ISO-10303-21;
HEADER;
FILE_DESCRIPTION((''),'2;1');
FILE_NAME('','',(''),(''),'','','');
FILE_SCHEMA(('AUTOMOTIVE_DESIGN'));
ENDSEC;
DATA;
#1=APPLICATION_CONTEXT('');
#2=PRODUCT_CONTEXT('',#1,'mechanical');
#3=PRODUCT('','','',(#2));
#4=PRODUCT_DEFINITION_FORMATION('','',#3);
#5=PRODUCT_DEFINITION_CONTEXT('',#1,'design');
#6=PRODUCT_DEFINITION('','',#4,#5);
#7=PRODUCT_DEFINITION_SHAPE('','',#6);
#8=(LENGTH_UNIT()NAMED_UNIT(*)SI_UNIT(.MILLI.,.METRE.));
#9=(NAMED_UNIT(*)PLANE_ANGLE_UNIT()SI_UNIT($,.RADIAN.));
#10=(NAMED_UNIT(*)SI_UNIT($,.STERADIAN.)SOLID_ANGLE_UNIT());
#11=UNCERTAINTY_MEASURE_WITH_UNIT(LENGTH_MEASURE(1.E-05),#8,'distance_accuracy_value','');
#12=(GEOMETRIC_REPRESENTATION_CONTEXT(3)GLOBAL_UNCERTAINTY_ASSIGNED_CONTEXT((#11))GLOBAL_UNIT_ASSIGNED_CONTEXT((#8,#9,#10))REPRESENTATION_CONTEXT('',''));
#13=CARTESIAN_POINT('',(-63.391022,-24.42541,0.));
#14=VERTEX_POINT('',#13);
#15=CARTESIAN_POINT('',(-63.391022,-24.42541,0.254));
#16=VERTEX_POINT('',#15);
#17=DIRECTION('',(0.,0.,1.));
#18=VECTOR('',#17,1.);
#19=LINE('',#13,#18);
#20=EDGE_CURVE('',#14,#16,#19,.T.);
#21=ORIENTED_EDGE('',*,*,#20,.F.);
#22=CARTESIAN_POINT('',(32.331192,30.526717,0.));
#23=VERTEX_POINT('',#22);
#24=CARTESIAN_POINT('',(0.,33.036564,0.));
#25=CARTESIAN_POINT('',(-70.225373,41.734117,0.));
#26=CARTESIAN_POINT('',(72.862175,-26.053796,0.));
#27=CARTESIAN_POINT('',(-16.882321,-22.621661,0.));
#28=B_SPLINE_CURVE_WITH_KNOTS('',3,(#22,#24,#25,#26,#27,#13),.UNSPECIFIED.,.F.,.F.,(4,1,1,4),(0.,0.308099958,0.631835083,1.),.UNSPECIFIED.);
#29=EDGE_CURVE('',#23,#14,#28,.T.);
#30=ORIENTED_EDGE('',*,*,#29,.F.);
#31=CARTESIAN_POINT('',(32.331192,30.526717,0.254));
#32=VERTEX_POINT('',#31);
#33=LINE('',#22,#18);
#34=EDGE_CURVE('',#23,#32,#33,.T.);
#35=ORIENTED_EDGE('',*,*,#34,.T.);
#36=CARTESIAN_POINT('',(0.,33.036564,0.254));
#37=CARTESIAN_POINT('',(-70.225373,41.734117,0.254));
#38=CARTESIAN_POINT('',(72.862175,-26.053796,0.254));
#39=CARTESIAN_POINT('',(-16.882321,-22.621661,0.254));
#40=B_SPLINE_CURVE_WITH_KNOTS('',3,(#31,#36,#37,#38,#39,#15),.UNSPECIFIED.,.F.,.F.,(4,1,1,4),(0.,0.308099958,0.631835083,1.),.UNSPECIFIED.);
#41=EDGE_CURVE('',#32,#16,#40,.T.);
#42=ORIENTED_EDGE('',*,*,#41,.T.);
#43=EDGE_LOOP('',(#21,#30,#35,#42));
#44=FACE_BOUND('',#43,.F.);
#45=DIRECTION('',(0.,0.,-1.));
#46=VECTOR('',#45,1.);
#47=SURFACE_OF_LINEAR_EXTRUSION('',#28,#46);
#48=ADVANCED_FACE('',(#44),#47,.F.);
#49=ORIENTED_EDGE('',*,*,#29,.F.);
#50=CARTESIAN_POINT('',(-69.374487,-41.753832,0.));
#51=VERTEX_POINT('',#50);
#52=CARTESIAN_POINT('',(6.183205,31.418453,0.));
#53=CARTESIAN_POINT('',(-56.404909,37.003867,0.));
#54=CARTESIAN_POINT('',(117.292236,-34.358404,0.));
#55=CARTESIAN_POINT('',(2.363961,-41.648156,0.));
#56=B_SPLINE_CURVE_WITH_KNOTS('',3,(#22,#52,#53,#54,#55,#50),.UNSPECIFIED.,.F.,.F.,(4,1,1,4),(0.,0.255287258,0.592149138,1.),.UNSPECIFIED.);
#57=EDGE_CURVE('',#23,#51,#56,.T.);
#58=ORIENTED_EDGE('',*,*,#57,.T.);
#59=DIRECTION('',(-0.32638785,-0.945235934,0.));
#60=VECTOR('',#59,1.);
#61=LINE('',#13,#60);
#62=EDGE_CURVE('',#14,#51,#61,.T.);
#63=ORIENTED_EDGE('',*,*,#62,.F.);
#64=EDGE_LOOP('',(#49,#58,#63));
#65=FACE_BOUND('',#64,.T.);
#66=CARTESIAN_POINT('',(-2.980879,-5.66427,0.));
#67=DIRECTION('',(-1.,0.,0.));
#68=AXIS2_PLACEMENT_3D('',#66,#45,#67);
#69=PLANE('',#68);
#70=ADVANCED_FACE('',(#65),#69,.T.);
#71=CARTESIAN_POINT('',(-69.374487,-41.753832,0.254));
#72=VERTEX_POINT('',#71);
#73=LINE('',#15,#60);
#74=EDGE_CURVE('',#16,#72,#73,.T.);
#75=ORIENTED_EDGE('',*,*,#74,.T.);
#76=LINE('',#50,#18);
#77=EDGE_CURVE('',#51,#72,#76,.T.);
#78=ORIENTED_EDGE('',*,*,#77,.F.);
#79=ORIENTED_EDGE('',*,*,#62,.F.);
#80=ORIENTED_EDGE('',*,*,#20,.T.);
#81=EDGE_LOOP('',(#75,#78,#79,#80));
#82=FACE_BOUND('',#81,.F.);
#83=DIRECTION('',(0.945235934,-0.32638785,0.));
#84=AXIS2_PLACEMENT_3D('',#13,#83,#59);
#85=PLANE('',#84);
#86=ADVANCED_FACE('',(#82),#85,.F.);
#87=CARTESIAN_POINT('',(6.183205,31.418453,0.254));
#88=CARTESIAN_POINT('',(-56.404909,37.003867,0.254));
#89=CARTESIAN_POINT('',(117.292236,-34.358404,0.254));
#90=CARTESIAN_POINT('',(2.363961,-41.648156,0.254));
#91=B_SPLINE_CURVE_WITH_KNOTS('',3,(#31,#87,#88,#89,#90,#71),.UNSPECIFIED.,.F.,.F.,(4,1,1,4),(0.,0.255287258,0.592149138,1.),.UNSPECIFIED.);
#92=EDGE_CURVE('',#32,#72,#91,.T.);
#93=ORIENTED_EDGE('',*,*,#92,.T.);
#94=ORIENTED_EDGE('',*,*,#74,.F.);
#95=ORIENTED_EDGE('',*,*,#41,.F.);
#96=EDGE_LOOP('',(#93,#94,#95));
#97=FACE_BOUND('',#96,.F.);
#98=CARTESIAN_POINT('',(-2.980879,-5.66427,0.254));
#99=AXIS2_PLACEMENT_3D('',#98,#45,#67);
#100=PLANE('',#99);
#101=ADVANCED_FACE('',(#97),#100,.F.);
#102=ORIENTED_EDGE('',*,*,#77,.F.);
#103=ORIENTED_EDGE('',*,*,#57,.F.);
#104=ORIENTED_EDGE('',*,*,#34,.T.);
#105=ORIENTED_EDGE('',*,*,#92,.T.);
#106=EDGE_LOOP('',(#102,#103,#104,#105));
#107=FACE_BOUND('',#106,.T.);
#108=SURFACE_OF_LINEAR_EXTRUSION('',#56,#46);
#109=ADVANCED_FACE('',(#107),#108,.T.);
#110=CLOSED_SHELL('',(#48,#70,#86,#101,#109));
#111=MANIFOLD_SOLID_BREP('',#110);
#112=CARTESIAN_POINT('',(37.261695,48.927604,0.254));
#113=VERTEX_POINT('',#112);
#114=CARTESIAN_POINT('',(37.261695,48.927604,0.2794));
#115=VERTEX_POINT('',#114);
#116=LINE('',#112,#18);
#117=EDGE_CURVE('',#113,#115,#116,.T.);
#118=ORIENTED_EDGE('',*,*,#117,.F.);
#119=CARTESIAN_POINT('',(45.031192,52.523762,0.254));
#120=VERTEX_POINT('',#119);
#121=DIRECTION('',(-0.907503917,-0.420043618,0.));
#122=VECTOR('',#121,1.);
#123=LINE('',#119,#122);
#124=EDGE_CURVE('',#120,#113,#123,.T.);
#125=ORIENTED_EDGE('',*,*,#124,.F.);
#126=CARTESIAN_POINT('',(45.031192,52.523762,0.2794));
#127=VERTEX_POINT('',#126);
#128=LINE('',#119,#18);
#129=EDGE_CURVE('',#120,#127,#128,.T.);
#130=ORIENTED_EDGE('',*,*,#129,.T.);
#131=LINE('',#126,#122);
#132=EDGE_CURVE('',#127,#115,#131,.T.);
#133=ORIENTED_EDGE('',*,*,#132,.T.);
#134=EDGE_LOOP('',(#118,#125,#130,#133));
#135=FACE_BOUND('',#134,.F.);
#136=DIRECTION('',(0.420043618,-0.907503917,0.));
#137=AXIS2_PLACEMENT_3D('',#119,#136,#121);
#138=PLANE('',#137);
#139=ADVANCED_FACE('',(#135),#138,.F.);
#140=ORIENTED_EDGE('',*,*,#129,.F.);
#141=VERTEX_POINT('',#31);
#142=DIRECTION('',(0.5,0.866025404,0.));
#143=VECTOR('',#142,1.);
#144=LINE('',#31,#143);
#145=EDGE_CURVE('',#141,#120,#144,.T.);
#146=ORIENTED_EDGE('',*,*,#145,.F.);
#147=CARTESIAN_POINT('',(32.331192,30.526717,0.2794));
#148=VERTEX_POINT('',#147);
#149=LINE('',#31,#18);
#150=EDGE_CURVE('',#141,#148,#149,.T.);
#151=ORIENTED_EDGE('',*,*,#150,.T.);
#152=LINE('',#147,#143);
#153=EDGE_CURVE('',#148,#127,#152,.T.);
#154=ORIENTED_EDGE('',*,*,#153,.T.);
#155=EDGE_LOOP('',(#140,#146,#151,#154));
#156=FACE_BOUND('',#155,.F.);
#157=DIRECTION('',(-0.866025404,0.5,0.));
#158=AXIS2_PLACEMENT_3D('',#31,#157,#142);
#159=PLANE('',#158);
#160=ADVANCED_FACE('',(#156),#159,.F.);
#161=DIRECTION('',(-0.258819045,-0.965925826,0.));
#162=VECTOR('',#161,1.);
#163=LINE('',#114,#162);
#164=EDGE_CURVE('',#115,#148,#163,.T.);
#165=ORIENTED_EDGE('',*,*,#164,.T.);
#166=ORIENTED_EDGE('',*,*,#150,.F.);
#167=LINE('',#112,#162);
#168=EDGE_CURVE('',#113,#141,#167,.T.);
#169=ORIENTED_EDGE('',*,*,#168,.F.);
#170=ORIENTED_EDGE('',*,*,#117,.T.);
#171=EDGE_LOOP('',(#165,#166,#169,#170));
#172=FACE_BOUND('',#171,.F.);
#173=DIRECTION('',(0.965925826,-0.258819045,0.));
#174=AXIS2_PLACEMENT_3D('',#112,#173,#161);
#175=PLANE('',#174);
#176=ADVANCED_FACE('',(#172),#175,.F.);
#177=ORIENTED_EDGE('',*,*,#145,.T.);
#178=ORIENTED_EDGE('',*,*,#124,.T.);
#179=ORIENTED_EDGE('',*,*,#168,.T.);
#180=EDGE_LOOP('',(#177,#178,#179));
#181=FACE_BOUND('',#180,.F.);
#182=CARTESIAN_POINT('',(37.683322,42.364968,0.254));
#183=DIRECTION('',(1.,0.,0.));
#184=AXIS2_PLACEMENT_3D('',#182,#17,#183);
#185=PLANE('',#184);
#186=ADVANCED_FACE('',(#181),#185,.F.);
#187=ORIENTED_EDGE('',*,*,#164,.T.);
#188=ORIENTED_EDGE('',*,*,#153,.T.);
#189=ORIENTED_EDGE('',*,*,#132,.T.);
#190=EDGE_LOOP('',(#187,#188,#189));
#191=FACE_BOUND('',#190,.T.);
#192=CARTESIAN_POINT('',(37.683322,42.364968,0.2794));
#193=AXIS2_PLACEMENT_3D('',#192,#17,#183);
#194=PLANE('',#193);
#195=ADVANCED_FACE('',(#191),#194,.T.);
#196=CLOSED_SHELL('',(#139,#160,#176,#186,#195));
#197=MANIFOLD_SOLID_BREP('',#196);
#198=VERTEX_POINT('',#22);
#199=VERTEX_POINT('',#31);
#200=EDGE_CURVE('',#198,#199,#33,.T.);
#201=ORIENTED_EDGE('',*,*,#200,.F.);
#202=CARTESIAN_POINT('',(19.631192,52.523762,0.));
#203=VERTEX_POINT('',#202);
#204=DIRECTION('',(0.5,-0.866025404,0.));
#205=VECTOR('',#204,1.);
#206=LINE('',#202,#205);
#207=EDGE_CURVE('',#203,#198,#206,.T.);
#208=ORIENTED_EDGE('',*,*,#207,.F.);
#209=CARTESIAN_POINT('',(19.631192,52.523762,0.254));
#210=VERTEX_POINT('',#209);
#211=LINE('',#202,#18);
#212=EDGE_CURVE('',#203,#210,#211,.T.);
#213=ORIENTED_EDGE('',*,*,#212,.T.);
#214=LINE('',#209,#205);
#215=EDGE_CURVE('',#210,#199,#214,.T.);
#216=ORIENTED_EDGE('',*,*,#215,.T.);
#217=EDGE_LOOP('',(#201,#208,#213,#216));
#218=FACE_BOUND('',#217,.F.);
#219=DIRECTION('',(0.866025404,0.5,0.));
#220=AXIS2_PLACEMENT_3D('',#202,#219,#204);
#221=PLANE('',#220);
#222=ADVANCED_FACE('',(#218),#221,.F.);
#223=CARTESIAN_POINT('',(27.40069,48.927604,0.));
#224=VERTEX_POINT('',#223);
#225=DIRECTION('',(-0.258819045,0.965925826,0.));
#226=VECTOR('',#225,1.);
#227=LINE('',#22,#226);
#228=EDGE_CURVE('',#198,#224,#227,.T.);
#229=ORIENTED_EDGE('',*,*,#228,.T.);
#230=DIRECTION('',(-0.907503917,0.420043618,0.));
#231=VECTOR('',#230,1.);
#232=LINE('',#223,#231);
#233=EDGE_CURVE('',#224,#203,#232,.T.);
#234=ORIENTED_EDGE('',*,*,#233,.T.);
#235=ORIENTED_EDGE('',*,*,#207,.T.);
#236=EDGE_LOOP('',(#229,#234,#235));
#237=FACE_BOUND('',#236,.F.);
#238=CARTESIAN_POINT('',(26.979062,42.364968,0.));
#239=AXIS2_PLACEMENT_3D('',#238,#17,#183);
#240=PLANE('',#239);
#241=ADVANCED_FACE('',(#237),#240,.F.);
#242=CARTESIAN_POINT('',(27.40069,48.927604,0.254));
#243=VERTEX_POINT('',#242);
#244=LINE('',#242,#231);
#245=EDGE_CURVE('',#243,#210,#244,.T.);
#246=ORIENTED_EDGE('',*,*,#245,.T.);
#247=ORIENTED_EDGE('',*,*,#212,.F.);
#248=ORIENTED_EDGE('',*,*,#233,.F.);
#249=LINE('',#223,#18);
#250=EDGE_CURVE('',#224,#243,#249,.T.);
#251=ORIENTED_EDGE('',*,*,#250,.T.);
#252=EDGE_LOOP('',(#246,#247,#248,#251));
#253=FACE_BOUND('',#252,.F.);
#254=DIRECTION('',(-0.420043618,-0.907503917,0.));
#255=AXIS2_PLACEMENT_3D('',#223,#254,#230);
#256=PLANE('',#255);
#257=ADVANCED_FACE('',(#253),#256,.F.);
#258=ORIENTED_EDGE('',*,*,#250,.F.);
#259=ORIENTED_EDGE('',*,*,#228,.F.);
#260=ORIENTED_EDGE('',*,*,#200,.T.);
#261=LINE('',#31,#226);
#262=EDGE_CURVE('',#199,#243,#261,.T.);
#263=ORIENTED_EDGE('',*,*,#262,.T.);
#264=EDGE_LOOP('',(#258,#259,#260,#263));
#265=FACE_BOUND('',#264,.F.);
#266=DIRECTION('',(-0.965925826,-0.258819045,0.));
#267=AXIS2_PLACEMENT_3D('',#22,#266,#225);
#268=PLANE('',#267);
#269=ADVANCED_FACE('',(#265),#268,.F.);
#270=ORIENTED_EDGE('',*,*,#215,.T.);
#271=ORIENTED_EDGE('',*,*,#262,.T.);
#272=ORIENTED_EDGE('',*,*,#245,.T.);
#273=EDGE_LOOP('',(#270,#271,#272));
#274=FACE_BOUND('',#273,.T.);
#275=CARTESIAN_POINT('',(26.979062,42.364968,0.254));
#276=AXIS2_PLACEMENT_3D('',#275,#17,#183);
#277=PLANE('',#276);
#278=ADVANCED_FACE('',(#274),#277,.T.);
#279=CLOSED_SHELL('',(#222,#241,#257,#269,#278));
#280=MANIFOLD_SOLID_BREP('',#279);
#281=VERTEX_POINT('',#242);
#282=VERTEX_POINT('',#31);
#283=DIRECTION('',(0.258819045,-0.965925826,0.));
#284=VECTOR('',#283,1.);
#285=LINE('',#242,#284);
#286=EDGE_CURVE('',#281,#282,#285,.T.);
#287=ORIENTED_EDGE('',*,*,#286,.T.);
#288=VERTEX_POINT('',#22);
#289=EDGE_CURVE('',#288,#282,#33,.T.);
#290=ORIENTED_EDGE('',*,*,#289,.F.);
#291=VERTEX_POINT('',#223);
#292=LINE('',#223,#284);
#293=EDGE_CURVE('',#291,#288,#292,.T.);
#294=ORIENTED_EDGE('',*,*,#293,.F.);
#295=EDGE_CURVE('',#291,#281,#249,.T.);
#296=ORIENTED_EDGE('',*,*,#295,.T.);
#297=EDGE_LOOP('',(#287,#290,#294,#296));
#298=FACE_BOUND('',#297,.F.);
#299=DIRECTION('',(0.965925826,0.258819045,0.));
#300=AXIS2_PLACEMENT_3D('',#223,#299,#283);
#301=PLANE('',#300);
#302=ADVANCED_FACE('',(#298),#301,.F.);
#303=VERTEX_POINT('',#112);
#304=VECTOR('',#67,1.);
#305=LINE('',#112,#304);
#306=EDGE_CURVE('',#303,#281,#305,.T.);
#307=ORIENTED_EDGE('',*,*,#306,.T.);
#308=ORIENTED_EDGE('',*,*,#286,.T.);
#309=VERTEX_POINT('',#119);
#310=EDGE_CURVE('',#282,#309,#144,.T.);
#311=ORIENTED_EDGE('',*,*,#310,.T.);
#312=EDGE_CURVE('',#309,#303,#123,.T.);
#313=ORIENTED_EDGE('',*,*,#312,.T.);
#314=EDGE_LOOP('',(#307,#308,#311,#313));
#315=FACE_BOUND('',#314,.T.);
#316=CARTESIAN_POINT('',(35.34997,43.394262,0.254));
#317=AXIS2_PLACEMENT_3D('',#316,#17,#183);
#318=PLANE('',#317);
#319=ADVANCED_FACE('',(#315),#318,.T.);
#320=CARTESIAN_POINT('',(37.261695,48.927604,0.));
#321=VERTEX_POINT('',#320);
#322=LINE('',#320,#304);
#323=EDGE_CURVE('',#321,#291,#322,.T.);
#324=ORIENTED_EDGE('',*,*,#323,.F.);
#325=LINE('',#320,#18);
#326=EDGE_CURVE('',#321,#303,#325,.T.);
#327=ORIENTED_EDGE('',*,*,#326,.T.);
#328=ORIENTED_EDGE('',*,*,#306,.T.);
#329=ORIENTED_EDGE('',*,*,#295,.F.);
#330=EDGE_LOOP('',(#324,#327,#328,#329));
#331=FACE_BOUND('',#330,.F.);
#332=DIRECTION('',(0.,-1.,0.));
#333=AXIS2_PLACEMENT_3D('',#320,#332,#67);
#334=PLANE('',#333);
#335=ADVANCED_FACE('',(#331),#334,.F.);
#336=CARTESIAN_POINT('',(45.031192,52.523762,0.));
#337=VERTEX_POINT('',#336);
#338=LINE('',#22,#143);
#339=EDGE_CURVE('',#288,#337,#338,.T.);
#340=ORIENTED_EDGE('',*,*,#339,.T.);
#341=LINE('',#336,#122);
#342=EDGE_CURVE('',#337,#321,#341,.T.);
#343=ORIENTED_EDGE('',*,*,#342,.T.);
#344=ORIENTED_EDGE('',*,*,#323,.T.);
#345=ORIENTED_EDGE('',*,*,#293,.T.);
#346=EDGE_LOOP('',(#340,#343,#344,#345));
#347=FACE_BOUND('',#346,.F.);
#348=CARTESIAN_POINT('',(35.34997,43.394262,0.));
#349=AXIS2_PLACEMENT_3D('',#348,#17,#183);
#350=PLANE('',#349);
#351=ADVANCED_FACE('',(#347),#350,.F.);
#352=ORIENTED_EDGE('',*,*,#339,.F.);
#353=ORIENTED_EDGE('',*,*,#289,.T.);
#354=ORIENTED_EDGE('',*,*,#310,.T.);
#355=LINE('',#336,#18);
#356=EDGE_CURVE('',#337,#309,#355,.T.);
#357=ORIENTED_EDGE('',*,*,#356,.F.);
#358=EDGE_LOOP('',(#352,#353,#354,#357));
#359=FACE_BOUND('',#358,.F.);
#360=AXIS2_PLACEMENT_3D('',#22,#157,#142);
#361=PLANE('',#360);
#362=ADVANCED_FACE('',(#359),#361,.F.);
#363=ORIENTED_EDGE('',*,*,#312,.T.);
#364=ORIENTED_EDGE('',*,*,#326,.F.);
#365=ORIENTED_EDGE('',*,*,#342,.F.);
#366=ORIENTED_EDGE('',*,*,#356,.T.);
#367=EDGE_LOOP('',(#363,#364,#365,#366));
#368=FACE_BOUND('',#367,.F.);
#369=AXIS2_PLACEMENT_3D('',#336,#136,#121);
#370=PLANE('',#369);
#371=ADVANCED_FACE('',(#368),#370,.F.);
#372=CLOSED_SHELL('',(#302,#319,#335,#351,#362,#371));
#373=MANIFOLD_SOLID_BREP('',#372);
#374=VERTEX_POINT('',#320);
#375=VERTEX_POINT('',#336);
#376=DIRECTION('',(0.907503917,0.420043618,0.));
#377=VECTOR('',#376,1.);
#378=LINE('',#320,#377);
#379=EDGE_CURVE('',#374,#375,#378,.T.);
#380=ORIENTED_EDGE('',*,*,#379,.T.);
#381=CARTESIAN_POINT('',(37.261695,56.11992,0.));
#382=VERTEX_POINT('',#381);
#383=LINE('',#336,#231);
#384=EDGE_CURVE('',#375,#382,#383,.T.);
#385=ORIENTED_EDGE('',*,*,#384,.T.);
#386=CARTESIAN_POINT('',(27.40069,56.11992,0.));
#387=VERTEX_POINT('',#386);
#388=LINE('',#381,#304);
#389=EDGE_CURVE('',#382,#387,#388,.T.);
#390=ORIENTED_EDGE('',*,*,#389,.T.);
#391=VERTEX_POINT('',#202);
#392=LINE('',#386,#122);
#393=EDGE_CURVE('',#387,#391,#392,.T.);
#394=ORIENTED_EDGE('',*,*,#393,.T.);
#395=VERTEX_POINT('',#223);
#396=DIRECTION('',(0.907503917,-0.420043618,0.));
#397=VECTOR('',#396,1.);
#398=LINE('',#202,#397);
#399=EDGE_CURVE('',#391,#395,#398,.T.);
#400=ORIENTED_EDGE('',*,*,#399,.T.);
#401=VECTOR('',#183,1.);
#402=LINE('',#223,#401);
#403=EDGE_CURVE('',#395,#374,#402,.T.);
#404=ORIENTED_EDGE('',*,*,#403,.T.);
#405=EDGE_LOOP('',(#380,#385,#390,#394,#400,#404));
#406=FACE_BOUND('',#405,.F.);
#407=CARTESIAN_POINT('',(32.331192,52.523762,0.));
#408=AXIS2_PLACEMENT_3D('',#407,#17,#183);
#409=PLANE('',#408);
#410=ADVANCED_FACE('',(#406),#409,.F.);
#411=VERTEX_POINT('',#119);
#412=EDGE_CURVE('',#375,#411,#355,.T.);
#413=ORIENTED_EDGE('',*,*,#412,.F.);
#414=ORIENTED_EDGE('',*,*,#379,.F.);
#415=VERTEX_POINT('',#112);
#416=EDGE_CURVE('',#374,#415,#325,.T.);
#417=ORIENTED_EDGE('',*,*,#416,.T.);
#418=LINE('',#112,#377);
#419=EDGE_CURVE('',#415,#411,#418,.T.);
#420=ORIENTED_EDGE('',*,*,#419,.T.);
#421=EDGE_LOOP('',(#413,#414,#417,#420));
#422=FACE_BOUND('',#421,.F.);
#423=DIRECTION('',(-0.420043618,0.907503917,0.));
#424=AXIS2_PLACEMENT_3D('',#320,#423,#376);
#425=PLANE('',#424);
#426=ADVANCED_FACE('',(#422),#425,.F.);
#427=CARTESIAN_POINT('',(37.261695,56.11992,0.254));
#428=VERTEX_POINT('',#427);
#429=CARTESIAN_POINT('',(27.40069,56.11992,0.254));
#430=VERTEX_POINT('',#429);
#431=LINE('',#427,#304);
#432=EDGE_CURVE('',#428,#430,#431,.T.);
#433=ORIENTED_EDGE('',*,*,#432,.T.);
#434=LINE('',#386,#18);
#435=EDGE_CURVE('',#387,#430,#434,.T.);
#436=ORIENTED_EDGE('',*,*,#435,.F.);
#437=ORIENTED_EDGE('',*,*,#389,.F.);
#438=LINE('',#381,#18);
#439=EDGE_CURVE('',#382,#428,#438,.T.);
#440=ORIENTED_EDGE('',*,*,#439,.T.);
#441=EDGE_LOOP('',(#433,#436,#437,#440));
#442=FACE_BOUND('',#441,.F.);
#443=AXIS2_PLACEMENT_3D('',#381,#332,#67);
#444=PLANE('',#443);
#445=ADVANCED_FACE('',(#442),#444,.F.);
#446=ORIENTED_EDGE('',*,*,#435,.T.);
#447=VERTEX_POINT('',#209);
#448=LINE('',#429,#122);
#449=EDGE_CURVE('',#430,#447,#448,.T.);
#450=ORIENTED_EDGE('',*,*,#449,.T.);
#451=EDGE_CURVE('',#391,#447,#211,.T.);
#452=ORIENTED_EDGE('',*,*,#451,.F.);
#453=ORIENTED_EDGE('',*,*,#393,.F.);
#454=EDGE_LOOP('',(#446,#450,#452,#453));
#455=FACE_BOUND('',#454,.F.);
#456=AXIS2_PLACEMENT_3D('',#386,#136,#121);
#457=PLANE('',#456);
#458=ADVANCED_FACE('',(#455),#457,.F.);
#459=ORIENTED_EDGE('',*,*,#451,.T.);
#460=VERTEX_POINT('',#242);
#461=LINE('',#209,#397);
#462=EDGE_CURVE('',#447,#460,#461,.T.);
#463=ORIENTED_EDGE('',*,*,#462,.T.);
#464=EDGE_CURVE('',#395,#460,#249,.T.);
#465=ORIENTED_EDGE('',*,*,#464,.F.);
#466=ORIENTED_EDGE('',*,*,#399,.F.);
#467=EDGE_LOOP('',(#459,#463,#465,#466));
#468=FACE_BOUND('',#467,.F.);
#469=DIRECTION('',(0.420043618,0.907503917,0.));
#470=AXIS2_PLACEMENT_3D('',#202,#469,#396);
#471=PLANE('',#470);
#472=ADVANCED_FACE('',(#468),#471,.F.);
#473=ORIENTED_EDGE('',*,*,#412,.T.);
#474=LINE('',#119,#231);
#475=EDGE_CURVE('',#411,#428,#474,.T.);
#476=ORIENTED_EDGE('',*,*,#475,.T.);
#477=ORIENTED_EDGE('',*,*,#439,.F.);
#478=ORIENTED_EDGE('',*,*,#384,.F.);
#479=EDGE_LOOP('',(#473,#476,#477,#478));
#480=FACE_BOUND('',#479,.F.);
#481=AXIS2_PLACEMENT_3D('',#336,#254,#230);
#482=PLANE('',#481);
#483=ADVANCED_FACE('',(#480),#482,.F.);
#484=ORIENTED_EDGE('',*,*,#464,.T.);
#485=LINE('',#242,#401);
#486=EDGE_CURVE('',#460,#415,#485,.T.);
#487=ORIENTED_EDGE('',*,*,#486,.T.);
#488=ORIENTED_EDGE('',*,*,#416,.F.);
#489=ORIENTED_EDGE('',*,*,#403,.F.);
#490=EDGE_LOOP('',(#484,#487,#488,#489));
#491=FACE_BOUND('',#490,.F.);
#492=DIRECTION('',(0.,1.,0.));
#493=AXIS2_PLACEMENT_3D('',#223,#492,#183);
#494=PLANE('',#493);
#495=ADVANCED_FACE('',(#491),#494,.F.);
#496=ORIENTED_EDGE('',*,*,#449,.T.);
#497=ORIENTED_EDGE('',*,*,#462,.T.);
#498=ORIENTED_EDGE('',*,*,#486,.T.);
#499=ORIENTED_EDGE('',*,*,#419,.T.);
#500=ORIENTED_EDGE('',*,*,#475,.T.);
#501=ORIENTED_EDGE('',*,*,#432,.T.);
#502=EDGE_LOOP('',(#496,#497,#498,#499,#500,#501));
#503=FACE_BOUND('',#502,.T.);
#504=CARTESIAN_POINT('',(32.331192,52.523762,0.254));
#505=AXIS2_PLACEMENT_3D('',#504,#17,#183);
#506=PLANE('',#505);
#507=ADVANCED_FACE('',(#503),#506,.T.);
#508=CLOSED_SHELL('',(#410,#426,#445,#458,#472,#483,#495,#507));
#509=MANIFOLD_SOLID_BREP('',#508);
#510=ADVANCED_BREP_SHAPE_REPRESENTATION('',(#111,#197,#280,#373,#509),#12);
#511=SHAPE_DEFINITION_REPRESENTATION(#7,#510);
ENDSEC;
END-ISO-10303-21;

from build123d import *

# Parameters (mm, degrees)
F1_DEPTH = 0.254
F3_DEPTH = 0.254
F5_DEPTH = 0.254
F7_DEPTH = 0.254
F9_DEPTH = 0.0254


with BuildPart() as f1:
    # F0 (on Top) → F1 (new body)
    with BuildSketch(Plane.XY):
        with BuildLine():
            add(Edge.make_bspline(
                [(32.3311924146, 30.5267168231), (6.1832049311, 31.4184533549), (-56.404909456, 37.0038669279), (117.2922357219, -34.3584042871), (2.3639605893, -41.6481557064), (-69.374486804, -41.7538322508)],
                knots=[0, 0, 0, 0, 0.255287258, 0.5921491381, 1, 1, 1, 1], degree=3))
            add(Edge.make_bspline(
                [(32.3311924146, 30.5267168231), (0, 33.0365635455), (-70.2253727994, 41.7341166509), (72.8621746041, -26.0537960355), (-16.8823206713, -22.6216614541), (-63.391021555, -24.4254103514)],
                knots=[0, 0, 0, 0, 0.3080999575, 0.6318350835, 1, 1, 1, 1], degree=3))
            Line((-63.391021555, -24.4254103514), (-69.374486804, -41.7538322508))
        make_face()
    extrude(amount=F1_DEPTH)


with BuildPart() as f3:
    # F2 (on Top) → F3 (new body)
    with BuildSketch(Plane.XY):
        Polygon((27.4006896054, 48.9276038139), (32.3311924146, 30.5267168231), (45.0311924146, 52.5237620792), (37.2616952239, 48.9276038139), align=None)
    extrude(amount=F3_DEPTH)


with BuildPart() as f5:
    # F4 (on Top) → F5 (new body)
    with BuildSketch(Plane.XY):
        Polygon((27.4006896054, 48.9276038139), (19.6311924146, 52.5237620792), (32.3311924146, 30.5267168231), align=None)
    extrude(amount=F5_DEPTH)


with BuildPart() as f7:
    # F6 (on Top) → F7 (new body)
    with BuildSketch(Plane.XY):
        Polygon((27.4006896054, 56.1199203445), (19.6311924146, 52.5237620792), (27.4006896054, 48.9276038139), (37.2616952239, 48.9276038139), (45.0311924146, 52.5237620792), (37.2616952239, 56.1199203445), align=None)
    extrude(amount=F7_DEPTH)


with BuildPart() as f9:
    # F8 (on face) → F9 (new body)
    with BuildSketch(Plane.XY.offset(0.254)):
        Polygon((45.0311924146, 52.5237620792), (37.2616952239, 48.9276038139), (32.3311924146, 30.5267168231), align=None)
    extrude(amount=F9_DEPTH)


solid = Compound([f1.part, f3.part, f5.part, f7.part, f9.part])
